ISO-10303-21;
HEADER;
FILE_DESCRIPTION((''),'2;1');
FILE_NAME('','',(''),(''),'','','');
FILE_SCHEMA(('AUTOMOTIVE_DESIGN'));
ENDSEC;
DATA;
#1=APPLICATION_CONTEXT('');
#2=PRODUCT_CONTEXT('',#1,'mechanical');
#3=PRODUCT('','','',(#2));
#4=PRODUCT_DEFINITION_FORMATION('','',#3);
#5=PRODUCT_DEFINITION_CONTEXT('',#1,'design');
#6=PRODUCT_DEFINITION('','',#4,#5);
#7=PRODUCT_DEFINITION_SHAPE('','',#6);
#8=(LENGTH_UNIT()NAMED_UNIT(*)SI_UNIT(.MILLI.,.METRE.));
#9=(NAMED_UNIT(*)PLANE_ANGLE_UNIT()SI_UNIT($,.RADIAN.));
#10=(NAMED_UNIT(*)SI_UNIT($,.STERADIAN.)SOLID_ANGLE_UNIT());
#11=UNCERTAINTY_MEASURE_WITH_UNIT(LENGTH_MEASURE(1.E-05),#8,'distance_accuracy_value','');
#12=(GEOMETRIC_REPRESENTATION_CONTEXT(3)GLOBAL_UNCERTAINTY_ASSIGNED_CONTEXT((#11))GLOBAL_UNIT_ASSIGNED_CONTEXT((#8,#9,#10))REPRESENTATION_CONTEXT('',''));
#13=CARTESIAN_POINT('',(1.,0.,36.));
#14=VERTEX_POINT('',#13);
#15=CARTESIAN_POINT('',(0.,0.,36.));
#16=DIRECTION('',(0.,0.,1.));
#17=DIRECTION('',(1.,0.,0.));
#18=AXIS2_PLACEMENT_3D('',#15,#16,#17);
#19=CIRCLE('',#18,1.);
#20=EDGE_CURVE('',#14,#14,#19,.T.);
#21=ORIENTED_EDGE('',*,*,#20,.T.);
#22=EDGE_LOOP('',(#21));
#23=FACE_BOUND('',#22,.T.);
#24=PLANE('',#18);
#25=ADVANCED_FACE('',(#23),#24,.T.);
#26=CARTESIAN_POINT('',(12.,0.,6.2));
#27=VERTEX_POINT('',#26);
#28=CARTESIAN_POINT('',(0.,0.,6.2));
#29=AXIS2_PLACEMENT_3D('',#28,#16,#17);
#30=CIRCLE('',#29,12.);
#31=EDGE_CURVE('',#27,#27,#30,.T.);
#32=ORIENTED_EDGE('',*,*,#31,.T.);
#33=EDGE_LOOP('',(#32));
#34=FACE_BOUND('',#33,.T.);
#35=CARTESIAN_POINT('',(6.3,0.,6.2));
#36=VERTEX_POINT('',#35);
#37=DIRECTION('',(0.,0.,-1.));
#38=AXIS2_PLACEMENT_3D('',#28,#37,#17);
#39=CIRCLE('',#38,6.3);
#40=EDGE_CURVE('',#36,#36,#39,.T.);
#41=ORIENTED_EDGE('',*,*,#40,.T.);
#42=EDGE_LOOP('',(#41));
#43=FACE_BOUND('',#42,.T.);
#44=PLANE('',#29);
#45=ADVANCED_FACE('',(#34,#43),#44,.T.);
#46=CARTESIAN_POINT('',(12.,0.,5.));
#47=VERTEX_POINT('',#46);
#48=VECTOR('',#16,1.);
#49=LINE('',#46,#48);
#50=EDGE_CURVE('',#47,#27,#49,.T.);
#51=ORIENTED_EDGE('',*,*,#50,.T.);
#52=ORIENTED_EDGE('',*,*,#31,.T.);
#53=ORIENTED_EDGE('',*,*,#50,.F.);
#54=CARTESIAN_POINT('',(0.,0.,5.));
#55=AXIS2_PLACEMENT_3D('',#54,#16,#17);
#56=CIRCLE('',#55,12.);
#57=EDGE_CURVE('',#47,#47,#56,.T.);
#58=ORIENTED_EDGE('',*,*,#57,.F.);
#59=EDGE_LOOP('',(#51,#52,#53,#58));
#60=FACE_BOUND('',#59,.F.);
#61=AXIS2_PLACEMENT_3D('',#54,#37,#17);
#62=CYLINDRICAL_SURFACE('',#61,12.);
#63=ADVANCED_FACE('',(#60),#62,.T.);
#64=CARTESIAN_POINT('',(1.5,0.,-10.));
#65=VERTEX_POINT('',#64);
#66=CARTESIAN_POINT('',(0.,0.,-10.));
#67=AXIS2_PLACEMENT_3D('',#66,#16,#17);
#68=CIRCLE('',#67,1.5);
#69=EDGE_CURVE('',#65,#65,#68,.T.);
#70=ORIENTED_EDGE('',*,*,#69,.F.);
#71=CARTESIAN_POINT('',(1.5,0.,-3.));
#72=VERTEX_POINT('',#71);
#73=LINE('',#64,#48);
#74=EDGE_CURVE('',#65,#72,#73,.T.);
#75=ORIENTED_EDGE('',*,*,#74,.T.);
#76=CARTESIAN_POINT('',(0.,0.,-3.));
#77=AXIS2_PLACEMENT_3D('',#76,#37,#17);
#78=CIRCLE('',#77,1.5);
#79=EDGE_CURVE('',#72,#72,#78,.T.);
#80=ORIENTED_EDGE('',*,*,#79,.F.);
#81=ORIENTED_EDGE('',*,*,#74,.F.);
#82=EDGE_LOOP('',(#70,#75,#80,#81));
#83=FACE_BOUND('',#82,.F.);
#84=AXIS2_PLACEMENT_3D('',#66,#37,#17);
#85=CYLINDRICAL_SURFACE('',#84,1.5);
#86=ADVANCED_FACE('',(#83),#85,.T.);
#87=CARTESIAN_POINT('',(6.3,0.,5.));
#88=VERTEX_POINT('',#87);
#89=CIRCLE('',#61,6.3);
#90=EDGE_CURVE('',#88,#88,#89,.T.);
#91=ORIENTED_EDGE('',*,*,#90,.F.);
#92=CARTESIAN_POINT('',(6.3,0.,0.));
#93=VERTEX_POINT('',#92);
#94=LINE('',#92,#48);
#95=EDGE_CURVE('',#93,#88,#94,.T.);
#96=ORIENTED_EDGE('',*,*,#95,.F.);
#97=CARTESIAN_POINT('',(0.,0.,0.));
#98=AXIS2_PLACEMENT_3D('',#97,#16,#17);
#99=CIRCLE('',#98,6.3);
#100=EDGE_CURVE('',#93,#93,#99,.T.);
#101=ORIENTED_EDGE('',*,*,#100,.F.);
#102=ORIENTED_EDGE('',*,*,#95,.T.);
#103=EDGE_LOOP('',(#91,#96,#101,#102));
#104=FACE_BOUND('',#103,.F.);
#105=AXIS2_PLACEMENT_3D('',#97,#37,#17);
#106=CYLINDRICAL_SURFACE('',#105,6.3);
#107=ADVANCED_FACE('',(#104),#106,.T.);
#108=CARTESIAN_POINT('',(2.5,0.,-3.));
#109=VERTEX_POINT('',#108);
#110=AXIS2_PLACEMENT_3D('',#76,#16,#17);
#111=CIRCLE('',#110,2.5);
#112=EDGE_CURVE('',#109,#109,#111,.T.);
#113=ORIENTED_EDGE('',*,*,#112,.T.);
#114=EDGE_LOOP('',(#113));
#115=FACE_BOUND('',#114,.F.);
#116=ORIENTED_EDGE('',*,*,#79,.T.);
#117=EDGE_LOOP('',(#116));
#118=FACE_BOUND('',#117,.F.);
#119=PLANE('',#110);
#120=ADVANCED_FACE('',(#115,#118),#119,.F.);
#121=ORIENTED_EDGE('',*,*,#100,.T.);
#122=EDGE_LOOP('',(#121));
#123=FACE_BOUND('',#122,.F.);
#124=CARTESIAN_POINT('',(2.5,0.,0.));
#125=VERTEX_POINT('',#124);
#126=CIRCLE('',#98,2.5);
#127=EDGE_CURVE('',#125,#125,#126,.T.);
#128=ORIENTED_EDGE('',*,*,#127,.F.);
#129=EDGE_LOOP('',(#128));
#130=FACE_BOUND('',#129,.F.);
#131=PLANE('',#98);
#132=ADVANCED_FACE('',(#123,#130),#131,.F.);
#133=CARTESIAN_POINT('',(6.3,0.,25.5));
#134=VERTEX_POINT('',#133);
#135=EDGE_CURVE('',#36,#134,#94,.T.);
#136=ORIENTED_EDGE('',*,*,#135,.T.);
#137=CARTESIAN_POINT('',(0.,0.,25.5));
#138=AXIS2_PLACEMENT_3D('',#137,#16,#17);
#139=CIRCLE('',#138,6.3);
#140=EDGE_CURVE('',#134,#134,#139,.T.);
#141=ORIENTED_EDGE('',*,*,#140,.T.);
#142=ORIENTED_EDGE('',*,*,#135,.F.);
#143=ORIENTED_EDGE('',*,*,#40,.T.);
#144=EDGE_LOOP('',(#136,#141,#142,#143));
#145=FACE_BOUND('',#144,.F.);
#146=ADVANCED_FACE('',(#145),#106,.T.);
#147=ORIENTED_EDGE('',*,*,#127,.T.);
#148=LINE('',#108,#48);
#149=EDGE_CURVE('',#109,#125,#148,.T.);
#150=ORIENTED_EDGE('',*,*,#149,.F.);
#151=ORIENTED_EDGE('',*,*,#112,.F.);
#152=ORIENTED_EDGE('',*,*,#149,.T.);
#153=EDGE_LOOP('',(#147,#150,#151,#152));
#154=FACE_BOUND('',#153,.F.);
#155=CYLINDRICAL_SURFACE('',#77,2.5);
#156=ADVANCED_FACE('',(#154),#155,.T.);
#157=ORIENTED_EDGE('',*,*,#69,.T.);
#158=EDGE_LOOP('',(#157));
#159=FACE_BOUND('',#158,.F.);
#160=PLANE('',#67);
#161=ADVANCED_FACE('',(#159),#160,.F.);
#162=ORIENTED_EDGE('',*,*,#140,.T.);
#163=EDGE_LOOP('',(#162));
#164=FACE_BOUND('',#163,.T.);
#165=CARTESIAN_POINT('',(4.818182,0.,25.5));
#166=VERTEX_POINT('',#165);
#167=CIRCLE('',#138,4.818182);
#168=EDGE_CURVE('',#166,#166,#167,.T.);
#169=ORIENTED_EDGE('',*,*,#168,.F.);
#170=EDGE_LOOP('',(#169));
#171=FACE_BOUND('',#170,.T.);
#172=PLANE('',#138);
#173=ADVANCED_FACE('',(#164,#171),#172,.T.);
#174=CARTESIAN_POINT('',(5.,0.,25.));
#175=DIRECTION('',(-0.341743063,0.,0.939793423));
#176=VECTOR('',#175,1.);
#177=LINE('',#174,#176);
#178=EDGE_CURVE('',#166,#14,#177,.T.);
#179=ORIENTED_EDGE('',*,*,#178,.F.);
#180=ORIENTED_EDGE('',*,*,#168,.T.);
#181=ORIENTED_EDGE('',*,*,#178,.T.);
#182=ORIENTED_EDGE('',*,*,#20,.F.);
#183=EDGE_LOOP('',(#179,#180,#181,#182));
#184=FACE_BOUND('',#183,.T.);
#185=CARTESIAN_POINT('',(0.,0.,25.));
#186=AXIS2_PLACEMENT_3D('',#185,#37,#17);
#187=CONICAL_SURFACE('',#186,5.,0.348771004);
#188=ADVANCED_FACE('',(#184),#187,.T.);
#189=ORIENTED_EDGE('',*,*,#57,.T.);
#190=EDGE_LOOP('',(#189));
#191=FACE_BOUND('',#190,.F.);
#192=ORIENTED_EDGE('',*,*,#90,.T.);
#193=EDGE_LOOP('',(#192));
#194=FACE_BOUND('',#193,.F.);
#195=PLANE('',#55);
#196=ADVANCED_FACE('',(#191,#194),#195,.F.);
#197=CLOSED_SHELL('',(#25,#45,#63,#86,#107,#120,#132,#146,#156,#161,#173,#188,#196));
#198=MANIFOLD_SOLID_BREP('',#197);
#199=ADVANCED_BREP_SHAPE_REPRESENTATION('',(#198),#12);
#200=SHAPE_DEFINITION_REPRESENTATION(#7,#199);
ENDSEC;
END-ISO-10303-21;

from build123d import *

# Parameters (mm, degrees)
CYLINDER002_R     = 2.5
CYLINDER002_DEPTH = 3
CYLINDER001_R     = 12
CYLINDER001_DEPTH = 1.2
CYLINDER_R        = 6.3
CYLINDER_DEPTH    = 25.5
CYLINDER003_R     = 1.5
CYLINDER003_DEPTH = 10


with BuildPart() as cylinder002:
    # Cylinder002 → Cylinder002 (new body)
    with BuildSketch(Plane.XY.offset(-3)):
        Circle(CYLINDER002_R)
    extrude(amount=CYLINDER002_DEPTH)


with BuildPart() as cylinder001:
    # Cylinder001 → Cylinder001 (new body)
    with BuildSketch(Plane.XY.offset(5)):
        Circle(CYLINDER001_R)
    extrude(amount=CYLINDER001_DEPTH)


with BuildPart() as cylinder:
    # Cylinder → Cylinder (new body)
    with BuildSketch(Plane.XY):
        Circle(CYLINDER_R)
    extrude(amount=CYLINDER_DEPTH)


with BuildPart() as cylinder003:
    # Cylinder003 → Cylinder003 (new body)
    with BuildSketch(Plane.XY.offset(-10)):
        Circle(CYLINDER003_R)
    extrude(amount=CYLINDER003_DEPTH)


with BuildPart() as assembly:
    # Cone → Cone (revolve)
    with BuildSketch(Plane(origin=(0, 0, 25), x_dir=(1, 0, 0), z_dir=(0, -1, 0))):
        Polygon((0, 0), (5, 0), (1, 11), (0, 11), align=None)
    revolve(axis=Axis((0, 0, 25), (0, 0, 1)))

    # Fusion: union Cylinder002, Cylinder001, Cylinder, Cylinder003
    add(cylinder002.part)
    add(cylinder001.part)
    add(cylinder.part)
    add(cylinder003.part)


solid = assembly.part
